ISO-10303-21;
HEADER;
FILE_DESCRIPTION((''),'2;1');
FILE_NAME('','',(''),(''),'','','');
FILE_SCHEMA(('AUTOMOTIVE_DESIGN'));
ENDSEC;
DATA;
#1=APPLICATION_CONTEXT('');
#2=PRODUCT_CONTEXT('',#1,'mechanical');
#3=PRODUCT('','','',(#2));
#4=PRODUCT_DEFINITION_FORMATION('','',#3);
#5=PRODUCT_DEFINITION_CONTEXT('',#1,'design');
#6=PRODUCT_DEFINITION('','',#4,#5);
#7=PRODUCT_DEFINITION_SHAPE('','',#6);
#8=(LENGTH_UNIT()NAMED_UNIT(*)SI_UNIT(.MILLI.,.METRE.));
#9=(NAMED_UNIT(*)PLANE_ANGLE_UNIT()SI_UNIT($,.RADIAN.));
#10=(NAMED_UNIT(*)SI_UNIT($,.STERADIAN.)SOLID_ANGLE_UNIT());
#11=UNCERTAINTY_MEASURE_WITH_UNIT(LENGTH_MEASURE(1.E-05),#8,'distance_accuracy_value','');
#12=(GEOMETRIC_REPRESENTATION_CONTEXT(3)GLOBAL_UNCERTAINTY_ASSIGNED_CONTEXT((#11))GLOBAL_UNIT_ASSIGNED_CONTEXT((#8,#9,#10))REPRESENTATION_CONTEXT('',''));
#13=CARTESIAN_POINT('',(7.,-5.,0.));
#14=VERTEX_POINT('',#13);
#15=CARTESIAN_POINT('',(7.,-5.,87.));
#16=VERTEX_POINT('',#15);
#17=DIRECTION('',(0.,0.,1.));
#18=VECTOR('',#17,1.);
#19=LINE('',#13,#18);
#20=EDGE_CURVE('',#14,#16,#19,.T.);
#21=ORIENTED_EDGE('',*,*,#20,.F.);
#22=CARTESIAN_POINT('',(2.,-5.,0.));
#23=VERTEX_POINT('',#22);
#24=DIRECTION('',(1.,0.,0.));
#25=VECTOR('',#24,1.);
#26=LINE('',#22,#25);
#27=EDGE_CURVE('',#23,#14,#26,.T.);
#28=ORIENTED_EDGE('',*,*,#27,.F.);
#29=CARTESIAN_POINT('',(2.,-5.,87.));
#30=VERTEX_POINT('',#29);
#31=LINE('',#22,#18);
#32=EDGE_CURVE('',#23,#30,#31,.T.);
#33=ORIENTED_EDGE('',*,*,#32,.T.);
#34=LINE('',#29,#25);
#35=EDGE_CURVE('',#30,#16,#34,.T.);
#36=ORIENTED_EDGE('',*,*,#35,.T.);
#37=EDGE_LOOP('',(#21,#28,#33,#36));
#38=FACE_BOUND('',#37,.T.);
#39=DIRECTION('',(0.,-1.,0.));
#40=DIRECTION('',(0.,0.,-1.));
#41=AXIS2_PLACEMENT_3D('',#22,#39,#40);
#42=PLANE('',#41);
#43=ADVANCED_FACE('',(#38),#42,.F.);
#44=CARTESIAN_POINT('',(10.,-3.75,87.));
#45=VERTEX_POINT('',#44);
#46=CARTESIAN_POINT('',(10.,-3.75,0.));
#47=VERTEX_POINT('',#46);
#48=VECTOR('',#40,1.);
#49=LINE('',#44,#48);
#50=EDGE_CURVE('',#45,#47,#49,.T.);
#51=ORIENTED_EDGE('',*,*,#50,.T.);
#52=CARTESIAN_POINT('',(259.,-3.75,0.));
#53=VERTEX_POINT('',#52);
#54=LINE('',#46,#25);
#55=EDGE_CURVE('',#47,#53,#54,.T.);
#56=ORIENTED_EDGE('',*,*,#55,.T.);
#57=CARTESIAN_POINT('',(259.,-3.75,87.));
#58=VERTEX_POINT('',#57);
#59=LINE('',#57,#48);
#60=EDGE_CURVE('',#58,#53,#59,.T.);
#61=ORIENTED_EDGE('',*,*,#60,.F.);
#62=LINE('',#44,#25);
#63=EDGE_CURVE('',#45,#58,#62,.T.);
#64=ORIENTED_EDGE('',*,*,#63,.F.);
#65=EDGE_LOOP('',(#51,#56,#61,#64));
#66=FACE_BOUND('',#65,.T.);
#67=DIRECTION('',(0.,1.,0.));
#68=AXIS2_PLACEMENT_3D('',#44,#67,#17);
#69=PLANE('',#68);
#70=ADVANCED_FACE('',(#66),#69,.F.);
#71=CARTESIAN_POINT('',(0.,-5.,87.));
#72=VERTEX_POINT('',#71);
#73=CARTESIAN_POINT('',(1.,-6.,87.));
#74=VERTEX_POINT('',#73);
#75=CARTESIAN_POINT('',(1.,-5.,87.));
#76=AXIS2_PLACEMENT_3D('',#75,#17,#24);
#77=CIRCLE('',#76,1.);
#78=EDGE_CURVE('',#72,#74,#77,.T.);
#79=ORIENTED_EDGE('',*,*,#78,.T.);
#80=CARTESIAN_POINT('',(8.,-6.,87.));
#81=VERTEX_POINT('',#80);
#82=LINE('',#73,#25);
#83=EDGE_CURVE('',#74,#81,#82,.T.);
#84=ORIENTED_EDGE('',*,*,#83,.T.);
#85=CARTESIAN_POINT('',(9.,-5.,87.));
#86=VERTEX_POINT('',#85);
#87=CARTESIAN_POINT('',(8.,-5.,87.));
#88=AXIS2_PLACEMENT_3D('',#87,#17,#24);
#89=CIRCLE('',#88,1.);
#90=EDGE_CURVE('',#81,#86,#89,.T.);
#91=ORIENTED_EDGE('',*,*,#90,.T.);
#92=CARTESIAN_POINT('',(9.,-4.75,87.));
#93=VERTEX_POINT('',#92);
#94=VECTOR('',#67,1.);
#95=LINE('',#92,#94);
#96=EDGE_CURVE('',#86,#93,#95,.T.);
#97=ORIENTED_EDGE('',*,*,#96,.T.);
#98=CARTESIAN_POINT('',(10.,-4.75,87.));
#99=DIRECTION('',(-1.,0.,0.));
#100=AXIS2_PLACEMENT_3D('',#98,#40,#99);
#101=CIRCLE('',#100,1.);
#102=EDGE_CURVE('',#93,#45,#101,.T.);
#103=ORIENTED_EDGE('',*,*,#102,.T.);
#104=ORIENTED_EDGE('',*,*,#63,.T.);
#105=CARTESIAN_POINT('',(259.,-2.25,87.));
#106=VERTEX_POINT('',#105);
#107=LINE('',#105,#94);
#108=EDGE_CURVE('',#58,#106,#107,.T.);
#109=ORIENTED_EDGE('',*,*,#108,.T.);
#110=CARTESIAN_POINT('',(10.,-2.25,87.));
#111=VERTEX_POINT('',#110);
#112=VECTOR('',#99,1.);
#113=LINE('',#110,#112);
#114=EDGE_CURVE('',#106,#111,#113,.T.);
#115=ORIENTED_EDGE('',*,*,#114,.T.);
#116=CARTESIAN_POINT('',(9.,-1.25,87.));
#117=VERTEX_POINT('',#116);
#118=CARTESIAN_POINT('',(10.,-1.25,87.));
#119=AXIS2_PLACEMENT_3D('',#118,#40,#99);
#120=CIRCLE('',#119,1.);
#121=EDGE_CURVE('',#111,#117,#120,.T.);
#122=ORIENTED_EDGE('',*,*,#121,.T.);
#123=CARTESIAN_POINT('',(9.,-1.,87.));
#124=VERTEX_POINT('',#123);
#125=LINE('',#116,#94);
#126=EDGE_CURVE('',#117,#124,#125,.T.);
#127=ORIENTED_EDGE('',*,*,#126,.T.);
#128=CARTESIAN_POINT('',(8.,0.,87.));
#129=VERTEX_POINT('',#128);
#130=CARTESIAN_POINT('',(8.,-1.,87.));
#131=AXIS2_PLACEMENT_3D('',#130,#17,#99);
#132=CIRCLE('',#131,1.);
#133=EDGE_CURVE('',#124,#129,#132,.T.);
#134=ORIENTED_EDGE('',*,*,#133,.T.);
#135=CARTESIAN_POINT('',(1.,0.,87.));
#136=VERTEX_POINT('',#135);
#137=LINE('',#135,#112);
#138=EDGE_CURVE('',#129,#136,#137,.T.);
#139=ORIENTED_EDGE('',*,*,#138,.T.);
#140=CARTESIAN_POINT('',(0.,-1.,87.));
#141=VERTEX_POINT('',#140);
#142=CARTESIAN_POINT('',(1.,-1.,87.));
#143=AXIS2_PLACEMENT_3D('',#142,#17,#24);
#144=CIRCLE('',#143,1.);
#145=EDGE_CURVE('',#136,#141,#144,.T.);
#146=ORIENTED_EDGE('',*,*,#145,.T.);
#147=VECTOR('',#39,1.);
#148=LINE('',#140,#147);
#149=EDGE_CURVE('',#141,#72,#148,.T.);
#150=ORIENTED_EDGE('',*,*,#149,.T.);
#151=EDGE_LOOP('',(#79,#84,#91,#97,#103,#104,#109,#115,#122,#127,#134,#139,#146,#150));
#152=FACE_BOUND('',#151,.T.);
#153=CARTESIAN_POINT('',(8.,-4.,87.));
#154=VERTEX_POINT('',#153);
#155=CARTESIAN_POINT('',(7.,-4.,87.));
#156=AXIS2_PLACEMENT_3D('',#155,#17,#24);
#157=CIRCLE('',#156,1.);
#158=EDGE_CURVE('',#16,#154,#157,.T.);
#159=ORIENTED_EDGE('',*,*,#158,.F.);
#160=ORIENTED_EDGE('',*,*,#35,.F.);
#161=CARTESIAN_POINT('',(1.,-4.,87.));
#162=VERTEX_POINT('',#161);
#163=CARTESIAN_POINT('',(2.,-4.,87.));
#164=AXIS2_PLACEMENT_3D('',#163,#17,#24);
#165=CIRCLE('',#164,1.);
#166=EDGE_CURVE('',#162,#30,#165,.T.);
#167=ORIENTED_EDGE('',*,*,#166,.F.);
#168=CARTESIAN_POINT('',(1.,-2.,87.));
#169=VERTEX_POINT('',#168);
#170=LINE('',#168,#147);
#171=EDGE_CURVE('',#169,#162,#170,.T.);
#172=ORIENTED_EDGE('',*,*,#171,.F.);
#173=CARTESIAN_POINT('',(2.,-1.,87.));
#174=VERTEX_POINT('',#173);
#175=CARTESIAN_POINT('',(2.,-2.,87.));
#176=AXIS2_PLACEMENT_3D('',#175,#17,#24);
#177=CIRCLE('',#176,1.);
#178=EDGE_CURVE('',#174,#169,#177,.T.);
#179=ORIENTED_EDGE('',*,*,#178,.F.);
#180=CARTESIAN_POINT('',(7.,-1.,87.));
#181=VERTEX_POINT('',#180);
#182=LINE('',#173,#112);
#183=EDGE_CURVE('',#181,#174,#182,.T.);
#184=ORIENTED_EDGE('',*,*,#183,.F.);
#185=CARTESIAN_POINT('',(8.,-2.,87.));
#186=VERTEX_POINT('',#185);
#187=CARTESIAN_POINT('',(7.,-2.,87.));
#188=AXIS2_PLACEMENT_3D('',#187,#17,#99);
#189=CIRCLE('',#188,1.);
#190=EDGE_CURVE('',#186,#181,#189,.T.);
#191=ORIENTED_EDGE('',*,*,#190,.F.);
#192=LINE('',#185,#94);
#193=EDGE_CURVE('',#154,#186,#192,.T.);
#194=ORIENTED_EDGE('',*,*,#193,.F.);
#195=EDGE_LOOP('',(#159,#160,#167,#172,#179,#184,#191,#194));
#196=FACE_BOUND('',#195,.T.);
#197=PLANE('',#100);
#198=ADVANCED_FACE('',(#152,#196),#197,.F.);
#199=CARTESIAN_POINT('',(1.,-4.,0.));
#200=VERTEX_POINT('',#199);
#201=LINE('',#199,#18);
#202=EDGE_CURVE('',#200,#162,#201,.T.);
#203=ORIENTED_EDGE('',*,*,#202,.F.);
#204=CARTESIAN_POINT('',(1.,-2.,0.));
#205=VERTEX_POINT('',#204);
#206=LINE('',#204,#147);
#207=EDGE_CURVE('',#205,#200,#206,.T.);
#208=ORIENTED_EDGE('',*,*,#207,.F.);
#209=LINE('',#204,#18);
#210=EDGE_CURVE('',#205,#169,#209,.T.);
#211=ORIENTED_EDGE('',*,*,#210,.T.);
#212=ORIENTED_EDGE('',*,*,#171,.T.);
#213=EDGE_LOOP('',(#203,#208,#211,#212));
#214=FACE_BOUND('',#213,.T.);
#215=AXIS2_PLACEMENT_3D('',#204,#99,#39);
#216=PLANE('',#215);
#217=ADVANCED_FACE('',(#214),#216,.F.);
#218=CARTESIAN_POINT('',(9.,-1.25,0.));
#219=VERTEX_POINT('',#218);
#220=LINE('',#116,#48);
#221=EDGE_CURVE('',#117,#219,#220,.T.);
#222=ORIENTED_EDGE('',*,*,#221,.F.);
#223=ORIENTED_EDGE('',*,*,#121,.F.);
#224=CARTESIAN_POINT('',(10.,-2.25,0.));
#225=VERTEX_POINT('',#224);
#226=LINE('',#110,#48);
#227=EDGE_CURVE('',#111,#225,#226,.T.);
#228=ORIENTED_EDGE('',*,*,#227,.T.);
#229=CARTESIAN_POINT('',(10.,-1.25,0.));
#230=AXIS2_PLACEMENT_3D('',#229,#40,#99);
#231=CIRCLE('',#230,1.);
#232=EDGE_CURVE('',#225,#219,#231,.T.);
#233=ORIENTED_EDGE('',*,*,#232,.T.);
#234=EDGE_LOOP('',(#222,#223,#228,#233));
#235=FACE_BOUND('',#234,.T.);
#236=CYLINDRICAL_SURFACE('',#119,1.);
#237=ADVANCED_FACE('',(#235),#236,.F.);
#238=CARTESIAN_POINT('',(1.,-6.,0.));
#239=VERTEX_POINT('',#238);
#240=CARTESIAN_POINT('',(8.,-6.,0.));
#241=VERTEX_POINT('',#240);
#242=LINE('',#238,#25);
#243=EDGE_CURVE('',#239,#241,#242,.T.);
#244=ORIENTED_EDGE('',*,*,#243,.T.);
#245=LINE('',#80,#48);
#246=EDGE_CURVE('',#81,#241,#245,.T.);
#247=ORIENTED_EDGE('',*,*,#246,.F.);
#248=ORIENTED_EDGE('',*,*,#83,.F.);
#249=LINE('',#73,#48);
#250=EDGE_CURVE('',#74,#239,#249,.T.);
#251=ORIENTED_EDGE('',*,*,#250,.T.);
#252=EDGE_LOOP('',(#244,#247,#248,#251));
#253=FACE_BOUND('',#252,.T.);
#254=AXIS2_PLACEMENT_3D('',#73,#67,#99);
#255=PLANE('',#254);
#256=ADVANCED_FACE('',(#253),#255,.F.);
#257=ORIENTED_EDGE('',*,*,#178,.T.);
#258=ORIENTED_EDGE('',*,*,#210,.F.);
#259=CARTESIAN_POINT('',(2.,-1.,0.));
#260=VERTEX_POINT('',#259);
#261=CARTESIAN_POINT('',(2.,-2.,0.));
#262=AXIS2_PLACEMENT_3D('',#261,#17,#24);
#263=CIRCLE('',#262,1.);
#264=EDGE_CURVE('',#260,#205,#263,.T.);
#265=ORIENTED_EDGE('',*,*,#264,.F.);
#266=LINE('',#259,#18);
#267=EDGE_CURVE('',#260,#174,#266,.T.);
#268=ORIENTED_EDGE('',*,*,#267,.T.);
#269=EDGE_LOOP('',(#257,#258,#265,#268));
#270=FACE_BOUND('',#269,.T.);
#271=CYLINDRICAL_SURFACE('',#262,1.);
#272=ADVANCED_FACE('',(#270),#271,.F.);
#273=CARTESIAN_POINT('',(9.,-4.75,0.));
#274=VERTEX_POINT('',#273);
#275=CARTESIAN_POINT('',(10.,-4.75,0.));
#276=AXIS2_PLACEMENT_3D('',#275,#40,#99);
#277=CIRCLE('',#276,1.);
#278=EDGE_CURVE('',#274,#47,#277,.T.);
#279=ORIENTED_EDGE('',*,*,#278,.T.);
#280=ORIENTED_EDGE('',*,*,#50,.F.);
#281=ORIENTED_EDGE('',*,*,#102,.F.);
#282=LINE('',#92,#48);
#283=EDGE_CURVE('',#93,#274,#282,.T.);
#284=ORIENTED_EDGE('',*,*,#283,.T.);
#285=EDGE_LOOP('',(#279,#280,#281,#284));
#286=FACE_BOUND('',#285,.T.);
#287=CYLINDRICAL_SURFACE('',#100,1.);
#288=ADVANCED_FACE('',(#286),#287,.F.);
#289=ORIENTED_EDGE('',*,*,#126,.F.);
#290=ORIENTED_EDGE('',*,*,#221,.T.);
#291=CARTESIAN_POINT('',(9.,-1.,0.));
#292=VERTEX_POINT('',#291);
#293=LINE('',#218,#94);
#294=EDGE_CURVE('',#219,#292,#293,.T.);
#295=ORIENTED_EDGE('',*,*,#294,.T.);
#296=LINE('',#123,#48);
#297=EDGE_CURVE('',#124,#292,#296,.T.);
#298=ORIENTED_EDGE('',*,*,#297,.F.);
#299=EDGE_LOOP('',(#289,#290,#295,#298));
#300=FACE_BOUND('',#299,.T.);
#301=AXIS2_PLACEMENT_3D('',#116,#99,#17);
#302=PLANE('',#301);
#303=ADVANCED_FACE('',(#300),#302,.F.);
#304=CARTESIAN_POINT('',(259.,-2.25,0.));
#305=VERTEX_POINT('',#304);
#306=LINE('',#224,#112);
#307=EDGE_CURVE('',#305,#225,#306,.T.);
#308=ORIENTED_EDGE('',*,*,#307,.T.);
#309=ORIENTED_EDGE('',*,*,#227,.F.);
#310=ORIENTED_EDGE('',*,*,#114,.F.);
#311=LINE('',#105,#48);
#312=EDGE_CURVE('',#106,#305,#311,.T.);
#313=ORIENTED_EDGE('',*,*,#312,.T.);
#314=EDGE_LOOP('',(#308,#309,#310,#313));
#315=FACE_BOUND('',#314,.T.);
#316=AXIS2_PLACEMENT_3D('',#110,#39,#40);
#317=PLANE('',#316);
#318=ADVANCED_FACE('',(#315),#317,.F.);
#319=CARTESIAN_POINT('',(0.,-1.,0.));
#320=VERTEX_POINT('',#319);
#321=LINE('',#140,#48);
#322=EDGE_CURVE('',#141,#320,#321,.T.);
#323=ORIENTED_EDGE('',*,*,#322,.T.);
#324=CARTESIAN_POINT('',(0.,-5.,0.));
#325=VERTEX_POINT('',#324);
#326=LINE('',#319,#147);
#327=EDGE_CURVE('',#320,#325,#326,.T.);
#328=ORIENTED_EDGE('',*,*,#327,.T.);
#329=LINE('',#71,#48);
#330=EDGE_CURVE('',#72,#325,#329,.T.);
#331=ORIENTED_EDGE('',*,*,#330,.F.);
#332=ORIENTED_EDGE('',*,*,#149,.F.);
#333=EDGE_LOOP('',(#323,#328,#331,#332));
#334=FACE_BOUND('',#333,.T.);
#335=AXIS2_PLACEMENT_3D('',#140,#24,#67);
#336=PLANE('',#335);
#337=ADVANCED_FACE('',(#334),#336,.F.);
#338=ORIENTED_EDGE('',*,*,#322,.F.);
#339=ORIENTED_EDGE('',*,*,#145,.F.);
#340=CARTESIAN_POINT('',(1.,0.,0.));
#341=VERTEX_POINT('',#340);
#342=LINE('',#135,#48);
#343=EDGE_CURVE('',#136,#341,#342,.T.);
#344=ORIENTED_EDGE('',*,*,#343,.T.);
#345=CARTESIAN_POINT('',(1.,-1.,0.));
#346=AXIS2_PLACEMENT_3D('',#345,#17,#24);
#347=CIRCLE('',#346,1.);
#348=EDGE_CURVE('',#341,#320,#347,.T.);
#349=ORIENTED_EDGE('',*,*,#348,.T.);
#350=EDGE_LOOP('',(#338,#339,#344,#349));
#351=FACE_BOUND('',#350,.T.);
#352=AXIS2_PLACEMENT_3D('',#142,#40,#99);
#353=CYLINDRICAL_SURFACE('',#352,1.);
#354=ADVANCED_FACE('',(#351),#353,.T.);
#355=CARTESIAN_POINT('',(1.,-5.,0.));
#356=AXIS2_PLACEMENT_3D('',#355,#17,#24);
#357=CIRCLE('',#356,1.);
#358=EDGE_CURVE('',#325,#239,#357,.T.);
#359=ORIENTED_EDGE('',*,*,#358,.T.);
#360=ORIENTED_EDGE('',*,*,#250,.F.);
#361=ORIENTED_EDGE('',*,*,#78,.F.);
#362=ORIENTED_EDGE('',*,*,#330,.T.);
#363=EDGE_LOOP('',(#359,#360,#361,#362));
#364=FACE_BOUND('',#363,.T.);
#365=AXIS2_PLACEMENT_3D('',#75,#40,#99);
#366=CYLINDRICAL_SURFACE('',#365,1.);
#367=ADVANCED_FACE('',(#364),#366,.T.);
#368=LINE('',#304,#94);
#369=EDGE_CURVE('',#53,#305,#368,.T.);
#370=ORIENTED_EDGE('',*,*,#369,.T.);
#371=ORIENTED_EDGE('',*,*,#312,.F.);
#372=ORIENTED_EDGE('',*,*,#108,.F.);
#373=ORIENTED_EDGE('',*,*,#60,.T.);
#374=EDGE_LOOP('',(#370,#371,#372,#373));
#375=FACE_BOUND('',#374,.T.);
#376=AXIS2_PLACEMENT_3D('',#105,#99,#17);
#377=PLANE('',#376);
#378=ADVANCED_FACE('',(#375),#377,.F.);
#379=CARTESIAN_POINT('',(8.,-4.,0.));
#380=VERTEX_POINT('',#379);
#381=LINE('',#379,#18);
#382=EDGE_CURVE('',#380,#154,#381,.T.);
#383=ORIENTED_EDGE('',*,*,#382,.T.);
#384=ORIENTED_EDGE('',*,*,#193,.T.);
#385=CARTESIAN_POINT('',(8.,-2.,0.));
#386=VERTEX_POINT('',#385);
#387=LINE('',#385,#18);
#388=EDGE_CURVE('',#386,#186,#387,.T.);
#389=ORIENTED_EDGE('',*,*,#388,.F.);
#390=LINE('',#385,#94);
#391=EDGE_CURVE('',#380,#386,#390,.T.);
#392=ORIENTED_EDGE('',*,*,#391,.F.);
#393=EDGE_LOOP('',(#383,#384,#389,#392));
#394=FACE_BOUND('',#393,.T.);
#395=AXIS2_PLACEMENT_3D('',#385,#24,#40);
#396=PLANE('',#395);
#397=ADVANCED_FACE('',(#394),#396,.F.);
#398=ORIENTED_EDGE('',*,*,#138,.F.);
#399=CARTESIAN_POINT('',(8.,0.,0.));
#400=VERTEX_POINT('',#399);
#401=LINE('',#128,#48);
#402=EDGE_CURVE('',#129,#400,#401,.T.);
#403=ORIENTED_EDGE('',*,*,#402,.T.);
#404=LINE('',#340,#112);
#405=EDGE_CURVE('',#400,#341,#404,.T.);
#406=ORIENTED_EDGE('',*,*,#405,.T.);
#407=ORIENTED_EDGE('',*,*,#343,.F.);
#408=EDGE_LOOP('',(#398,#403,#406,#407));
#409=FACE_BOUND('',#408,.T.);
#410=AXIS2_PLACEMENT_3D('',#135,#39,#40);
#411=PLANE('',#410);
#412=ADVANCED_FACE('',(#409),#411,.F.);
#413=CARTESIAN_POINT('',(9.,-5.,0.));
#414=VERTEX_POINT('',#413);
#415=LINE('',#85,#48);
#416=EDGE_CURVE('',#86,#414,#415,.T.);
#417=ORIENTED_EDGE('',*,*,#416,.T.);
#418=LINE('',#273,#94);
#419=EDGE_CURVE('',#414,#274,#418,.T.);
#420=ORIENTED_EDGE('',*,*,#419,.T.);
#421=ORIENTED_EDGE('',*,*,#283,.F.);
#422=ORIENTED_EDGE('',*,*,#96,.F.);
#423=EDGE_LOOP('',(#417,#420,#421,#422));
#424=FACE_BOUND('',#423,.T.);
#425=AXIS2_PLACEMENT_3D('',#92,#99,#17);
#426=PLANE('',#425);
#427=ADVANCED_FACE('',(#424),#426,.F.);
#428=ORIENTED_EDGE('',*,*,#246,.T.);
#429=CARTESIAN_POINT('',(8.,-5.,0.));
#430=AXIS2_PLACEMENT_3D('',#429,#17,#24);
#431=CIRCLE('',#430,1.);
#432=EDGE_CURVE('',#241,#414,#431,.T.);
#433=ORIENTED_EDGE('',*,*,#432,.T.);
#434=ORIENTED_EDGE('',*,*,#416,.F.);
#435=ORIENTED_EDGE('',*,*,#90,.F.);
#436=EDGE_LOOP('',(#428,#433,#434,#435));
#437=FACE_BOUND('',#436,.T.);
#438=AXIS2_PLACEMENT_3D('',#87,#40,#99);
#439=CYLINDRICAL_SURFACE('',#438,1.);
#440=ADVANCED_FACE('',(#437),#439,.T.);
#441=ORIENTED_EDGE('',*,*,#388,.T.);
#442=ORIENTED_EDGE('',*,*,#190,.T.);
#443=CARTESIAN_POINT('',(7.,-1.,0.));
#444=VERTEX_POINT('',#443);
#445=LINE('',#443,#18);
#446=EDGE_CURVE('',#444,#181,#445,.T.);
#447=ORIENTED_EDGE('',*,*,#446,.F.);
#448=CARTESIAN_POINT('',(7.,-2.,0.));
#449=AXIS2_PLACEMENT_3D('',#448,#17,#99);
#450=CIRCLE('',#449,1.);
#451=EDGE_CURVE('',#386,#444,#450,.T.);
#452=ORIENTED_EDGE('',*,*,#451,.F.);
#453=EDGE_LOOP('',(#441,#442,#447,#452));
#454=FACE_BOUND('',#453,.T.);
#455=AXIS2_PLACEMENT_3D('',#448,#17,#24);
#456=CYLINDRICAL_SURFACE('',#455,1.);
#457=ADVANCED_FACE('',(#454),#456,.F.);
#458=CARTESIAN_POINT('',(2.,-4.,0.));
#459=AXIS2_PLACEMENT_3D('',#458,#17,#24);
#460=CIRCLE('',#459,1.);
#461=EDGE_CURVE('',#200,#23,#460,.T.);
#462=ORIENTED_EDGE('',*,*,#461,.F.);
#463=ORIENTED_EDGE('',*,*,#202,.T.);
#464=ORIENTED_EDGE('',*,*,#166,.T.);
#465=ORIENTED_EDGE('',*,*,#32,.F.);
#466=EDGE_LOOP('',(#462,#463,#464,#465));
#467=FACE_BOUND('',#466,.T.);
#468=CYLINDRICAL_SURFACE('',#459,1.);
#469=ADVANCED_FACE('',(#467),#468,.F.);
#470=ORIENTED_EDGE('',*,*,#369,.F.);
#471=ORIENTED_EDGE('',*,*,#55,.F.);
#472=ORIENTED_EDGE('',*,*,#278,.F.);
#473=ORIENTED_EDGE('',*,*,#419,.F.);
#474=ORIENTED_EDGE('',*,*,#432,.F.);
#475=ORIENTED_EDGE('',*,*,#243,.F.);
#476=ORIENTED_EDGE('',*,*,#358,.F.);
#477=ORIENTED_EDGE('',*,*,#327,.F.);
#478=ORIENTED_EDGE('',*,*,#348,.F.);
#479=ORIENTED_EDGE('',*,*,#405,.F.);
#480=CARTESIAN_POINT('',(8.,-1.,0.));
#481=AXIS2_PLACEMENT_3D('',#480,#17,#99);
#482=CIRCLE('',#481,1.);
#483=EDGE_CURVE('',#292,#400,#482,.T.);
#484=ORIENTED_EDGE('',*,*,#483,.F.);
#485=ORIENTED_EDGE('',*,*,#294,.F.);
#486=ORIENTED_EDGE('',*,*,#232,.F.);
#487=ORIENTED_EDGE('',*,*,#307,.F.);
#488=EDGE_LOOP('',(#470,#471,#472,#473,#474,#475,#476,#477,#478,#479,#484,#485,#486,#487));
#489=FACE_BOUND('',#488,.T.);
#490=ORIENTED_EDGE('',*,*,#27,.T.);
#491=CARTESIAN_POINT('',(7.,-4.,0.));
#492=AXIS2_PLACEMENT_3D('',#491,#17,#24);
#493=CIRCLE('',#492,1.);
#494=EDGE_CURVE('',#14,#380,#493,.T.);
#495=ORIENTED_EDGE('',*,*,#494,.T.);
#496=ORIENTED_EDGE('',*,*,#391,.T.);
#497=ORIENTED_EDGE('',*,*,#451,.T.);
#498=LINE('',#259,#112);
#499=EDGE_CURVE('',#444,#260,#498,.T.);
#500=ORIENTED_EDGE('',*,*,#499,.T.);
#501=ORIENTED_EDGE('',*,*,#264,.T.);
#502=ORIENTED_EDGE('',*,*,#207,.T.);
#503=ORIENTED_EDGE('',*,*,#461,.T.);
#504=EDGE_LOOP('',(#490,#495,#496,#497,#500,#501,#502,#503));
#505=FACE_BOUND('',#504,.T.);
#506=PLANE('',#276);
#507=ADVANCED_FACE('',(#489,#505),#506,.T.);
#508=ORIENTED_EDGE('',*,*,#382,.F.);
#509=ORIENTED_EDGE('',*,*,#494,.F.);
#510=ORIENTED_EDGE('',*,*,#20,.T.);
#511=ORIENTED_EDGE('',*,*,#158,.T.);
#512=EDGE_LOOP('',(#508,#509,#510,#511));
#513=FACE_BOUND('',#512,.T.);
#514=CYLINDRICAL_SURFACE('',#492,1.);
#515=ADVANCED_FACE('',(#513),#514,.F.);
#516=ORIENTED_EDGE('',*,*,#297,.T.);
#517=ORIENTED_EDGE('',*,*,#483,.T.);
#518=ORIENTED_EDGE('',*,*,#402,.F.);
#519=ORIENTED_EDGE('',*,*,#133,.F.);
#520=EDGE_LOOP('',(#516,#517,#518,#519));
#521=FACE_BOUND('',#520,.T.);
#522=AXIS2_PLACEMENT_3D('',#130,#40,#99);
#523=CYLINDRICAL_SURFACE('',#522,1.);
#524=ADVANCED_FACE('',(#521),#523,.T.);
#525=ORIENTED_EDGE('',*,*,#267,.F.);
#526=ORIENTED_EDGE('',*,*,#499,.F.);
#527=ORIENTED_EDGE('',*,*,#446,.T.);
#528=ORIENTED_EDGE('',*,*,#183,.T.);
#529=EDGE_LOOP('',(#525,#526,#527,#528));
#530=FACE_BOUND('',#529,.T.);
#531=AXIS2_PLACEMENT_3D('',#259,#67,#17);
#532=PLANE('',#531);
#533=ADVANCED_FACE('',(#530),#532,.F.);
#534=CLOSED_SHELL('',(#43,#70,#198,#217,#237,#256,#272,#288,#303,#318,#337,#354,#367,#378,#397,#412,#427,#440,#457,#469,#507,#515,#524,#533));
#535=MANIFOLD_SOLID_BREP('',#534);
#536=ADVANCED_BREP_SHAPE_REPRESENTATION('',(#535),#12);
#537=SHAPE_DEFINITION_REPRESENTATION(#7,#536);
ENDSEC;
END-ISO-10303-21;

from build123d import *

# Parameters (mm, degrees)
EXTRUDE_1_DEPTH     = 87
CUT_EXTRUDE_1_DEPTH = 274.287394514


with BuildPart() as part:
    # 草图1 → 凸台-拉伸1 (new body)
    with BuildSketch(Plane.XY):
        with BuildLine():
            Line((9, -1.25), (9, -1))
            ThreePointArc((9, -1), (8.707106781, -0.292893219), (8, 0))
            Line((8, 0), (1, 0))
            ThreePointArc((1, 0), (0.292893219, -0.292893219), (0, -1))
            Line((0, -1), (0, -5))
            ThreePointArc((0, -5), (0.292893219, -5.707106781), (1, -6))
            Line((1, -6), (8, -6))
            ThreePointArc((8, -6), (8.707106781, -5.707106781), (9, -5))
            Line((9, -5), (9, -4.75))
            ThreePointArc((9, -4.75), (9.292893219, -4.042893219), (10, -3.75))
            Line((10, -3.75), (259, -3.75))
            Line((259, -3.75), (259, -2.25))
            Line((259, -2.25), (10, -2.25))
            ThreePointArc((10, -2.25), (9.292893219, -1.957106781), (9, -1.25))
        make_face()
    extrude(amount=EXTRUDE_1_DEPTH)

    # 草图2 → 切除-拉伸1 (cut, through all)
    with BuildSketch(Plane.XY.offset(87)):
        with BuildLine():
            Line((2, -1), (7, -1))
            ThreePointArc((7, -1), (7.707106781, -1.292893219), (8, -2))
            Line((8, -2), (8, -4))
            ThreePointArc((8, -4), (7.707106781, -4.707106781), (7, -5))
            Line((7, -5), (2, -5))
            ThreePointArc((2, -5), (1.292893219, -4.707106781), (1, -4))
            Line((1, -4), (1, -2))
            ThreePointArc((1, -2), (1.292893219, -1.292893219), (2, -1))
        make_face()
    extrude(amount=-CUT_EXTRUDE_1_DEPTH, mode=Mode.SUBTRACT)


solid = part.part
